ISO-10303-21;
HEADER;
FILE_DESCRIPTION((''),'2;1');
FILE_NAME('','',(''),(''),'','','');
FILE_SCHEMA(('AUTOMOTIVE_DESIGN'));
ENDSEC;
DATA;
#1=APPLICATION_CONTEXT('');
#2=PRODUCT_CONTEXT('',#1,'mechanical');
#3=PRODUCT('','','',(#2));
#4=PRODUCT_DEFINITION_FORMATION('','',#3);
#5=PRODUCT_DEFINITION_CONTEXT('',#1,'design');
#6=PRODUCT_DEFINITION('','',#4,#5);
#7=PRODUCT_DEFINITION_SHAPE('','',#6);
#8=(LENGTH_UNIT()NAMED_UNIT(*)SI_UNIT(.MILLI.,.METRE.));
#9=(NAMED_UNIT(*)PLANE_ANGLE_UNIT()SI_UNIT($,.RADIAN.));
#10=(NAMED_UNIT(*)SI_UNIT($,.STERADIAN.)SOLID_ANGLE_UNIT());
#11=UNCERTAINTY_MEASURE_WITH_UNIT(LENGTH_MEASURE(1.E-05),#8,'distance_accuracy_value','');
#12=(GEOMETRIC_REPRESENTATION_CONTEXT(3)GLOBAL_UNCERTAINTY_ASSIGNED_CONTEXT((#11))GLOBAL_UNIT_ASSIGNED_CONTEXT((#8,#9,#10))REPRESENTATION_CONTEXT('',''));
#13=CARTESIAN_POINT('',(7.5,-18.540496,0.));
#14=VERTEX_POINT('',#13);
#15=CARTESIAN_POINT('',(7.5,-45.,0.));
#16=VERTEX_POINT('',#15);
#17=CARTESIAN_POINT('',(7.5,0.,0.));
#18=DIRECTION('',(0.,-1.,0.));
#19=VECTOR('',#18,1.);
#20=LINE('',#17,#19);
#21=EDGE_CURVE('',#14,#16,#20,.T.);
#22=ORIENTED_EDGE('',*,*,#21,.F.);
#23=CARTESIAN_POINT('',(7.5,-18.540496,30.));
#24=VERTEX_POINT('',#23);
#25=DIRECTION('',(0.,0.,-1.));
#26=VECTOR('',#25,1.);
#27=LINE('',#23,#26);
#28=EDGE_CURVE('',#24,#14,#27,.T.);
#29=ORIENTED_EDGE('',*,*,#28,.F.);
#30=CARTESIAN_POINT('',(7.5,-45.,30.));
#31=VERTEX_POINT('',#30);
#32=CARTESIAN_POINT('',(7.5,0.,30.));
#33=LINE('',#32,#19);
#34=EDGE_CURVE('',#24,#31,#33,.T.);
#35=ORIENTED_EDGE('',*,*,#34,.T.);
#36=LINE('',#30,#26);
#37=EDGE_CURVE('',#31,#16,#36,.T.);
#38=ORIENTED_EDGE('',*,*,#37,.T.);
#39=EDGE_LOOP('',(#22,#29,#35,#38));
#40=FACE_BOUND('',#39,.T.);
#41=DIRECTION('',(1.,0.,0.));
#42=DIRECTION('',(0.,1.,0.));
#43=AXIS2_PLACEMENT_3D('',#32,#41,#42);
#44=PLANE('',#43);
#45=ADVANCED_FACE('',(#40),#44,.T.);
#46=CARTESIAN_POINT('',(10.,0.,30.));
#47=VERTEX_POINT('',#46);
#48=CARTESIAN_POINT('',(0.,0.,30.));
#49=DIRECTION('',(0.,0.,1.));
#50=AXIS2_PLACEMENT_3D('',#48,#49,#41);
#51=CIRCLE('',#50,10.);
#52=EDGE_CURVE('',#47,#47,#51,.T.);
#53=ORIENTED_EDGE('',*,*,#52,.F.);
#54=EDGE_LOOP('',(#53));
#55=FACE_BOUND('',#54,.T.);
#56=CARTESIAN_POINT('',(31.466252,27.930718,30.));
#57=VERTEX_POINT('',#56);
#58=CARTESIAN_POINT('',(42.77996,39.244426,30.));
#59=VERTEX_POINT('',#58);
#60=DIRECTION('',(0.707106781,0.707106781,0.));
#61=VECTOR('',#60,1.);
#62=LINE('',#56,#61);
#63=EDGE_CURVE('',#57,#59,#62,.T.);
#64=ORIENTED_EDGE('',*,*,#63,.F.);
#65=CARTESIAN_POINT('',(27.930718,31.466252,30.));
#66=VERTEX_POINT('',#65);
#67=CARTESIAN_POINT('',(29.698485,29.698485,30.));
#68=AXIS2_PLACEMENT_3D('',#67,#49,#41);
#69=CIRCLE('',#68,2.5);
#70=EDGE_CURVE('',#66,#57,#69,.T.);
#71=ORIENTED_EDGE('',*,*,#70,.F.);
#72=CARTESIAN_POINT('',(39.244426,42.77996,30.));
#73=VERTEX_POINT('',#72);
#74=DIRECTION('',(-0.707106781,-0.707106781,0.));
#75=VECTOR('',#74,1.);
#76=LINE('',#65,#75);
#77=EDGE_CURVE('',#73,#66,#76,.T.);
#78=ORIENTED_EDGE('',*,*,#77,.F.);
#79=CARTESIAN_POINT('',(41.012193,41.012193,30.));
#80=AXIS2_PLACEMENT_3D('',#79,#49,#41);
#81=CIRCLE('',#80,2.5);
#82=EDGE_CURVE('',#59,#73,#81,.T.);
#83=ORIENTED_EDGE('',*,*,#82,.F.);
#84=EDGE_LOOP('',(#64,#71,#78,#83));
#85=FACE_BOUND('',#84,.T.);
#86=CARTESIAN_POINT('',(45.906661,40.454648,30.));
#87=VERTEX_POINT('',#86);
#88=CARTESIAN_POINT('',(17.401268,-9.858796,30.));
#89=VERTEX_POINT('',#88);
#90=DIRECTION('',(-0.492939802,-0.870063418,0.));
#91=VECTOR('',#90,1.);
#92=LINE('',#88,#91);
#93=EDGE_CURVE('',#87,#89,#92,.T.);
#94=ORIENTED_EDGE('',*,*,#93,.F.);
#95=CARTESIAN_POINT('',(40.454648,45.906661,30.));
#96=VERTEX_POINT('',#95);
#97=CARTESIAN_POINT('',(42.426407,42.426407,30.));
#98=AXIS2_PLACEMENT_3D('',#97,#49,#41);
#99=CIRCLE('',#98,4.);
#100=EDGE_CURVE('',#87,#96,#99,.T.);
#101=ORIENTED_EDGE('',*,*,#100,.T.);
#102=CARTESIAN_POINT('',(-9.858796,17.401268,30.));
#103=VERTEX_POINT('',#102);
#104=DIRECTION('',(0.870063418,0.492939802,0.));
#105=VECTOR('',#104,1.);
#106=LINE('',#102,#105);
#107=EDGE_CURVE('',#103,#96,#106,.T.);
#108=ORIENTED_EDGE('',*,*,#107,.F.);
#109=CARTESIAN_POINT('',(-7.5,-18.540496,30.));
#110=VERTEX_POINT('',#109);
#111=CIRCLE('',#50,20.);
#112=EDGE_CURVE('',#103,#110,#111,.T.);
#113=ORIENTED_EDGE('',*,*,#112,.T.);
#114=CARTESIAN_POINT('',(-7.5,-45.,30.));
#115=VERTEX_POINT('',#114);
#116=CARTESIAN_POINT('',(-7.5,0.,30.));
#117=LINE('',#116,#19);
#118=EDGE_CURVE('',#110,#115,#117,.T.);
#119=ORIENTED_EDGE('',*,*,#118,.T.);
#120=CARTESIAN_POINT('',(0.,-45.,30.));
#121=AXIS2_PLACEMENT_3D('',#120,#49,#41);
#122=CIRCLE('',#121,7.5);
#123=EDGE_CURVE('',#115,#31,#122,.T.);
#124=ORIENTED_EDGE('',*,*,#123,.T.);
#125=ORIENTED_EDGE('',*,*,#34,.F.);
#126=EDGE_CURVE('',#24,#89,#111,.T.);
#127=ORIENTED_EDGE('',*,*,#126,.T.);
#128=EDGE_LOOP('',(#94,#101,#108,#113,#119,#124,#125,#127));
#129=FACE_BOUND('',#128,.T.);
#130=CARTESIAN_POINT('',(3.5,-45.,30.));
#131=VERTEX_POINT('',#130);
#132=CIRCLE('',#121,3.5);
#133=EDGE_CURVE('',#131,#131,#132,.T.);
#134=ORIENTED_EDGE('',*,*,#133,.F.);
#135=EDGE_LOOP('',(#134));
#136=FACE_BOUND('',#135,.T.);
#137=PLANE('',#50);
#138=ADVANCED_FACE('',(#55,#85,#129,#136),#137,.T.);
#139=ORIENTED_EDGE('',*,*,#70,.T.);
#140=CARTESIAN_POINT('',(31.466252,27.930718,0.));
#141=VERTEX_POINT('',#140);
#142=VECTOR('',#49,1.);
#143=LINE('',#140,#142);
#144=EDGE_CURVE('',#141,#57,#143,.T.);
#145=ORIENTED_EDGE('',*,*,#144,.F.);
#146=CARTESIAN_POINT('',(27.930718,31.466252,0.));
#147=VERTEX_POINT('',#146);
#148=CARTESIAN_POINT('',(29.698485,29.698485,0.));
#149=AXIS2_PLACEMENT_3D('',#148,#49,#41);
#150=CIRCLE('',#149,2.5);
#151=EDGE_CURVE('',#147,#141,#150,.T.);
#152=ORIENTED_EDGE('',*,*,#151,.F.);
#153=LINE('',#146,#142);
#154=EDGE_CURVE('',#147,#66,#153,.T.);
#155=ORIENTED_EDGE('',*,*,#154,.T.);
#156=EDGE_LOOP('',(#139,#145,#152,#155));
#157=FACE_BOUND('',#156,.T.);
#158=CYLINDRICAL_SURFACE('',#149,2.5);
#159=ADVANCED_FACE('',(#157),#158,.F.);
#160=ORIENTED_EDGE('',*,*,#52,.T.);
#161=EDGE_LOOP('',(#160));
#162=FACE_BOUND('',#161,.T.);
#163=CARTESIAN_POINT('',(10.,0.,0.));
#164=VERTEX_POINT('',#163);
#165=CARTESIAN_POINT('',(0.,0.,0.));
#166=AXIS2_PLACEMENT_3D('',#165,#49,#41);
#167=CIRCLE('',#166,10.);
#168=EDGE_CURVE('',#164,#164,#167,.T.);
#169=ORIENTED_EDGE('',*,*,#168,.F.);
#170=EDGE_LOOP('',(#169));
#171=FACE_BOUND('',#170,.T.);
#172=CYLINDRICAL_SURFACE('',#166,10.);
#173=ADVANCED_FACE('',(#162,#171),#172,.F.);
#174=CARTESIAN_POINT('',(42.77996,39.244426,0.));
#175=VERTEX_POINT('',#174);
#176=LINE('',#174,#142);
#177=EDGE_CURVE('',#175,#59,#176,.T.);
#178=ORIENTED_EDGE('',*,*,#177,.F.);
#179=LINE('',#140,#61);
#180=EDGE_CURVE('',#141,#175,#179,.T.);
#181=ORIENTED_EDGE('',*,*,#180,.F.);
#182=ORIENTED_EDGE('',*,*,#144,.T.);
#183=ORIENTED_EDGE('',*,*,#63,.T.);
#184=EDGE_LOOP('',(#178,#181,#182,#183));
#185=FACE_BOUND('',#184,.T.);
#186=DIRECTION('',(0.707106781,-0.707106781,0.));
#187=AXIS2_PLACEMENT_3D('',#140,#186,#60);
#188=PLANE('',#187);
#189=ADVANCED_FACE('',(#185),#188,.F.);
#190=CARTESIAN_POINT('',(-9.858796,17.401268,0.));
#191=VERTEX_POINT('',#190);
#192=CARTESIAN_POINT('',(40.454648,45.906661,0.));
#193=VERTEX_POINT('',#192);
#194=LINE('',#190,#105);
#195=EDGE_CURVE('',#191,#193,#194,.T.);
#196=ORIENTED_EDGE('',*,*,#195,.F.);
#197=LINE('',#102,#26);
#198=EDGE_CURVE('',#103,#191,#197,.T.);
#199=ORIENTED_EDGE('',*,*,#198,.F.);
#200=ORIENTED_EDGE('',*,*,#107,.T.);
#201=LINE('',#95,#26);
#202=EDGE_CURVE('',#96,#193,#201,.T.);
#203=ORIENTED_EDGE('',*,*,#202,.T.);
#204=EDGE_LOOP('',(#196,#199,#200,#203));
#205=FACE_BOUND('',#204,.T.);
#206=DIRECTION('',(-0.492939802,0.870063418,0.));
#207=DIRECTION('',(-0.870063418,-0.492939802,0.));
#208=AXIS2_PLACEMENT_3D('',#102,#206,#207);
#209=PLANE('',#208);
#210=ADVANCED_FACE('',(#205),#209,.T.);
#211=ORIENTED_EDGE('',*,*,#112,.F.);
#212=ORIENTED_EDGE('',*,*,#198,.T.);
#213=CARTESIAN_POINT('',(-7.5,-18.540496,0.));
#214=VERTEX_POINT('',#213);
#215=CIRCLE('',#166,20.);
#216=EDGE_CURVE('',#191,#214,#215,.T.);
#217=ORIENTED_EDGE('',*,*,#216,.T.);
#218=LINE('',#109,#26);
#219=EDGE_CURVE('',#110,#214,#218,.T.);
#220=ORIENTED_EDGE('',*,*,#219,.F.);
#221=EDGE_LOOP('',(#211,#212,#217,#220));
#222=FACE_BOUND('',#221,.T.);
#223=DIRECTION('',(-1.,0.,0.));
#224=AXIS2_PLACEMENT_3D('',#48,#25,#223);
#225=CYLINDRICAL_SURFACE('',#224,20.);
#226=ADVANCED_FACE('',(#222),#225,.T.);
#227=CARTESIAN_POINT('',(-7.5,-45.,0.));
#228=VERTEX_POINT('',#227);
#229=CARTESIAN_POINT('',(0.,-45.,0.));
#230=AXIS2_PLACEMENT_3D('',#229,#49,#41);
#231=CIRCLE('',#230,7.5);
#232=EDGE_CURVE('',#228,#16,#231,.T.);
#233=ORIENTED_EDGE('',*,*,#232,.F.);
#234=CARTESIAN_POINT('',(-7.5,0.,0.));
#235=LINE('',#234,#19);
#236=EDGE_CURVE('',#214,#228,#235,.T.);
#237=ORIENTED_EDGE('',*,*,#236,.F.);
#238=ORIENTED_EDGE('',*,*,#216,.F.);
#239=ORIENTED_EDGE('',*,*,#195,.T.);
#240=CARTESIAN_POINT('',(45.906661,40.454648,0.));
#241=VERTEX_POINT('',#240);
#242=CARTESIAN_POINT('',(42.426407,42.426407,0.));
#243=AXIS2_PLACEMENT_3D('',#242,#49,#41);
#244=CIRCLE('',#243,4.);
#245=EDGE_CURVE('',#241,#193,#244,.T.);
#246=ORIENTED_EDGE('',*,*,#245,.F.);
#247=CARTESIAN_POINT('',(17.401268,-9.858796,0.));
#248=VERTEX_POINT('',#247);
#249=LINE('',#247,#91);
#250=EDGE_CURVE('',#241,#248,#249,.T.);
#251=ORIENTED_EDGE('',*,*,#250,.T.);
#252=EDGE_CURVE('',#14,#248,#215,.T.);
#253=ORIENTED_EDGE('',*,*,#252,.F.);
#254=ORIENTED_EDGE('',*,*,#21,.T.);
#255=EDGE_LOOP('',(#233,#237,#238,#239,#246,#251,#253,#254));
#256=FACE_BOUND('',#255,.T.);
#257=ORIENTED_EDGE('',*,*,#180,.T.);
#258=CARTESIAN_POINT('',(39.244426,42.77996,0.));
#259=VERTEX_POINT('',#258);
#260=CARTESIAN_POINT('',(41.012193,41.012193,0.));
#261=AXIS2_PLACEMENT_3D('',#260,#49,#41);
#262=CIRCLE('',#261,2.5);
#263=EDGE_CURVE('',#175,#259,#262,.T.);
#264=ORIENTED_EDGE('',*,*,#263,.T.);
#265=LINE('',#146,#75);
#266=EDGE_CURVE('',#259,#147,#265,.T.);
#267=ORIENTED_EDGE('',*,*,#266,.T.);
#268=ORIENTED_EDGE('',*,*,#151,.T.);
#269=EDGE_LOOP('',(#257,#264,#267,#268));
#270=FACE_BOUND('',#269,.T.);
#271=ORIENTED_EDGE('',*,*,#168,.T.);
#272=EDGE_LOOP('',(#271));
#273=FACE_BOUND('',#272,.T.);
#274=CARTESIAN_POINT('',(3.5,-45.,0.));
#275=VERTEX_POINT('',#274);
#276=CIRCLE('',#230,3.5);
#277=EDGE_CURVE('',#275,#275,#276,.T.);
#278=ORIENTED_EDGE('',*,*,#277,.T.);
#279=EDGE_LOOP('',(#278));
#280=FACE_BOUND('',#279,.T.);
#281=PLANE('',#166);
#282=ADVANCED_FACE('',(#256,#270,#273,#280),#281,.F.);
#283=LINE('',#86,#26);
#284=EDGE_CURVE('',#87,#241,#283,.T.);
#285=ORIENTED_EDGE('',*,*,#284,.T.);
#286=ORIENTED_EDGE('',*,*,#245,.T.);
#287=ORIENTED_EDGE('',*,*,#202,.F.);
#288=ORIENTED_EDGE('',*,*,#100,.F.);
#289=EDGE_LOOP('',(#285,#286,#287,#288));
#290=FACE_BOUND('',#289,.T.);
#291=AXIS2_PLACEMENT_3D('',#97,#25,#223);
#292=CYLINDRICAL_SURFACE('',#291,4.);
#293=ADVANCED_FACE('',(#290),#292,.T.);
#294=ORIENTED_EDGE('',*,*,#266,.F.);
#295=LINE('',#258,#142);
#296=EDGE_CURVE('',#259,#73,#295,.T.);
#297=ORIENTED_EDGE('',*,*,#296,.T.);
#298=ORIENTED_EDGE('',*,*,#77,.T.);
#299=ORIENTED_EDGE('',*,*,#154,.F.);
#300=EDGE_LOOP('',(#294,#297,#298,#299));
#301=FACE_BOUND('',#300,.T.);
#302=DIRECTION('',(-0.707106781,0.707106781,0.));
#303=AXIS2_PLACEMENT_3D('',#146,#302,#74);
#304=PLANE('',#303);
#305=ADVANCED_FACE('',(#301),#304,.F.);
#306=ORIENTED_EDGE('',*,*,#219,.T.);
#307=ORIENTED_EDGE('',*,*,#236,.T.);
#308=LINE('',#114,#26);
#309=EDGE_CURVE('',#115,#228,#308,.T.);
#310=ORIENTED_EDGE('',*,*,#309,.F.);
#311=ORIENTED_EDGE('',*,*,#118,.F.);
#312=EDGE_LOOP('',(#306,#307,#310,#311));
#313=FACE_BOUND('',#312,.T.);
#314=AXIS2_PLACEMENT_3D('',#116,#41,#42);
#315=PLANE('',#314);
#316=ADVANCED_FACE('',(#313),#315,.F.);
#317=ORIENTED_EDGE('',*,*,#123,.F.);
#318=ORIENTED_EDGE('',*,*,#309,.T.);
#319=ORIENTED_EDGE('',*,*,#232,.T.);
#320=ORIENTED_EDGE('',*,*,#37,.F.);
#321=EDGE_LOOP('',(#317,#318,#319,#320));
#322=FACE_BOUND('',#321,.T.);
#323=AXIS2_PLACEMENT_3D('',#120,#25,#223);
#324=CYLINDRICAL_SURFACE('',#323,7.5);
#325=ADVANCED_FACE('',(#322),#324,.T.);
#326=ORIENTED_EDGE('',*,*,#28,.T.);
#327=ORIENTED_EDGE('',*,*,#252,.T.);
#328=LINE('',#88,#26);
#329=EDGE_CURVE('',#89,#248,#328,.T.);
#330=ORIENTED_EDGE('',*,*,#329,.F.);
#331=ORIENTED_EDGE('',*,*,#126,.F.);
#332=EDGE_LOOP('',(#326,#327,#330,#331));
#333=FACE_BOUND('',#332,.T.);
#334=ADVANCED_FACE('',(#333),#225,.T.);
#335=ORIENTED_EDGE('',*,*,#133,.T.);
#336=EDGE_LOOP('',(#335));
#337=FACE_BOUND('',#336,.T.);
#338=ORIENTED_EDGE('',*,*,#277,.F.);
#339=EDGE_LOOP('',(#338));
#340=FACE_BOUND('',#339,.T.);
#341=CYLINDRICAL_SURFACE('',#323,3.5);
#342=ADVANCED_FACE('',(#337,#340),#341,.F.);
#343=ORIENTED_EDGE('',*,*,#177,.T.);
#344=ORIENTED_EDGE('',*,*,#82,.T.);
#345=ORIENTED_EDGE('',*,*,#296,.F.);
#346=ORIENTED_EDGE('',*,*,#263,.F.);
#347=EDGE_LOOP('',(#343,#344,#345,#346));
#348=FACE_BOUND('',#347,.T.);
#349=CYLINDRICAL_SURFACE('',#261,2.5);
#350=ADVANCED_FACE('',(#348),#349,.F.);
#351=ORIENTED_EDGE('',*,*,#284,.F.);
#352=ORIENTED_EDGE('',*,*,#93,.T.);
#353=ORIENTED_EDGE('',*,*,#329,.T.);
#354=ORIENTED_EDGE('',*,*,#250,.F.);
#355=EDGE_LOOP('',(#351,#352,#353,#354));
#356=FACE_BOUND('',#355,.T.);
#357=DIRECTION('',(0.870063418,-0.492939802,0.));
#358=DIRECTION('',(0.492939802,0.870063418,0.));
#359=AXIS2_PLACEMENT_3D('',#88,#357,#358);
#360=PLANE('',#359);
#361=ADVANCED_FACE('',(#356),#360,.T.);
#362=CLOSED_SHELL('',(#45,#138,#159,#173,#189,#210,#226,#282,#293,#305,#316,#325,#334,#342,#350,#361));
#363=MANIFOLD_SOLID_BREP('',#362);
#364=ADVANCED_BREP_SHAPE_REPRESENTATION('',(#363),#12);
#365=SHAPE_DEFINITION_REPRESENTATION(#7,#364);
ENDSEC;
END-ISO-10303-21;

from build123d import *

# Parameters (mm, degrees)
SKETCH_1_R          = 3.5
SKETCH_1_R_2        = 4
EXTRUDE_1_DEPTH     = 30
SKETCH_3_R          = 10
CUT_EXTRUDE_1_DEPTH = 77.234252505


with BuildPart() as part:
    # Эскиз1 → Бобышка-Вытянуть1 (new body)
    # profile 1 of 7: a face of its own
    with BuildSketch(Plane.XY):
        with BuildLine():
            Line((40.454647664, 45.906660544), (-9.858796034, 17.401268367))
            ThreePointArc((-9.858796034, 17.401268367), (10.070354495, 17.279697924), (20, 0))
            ThreePointArc((20, 0), (19.339407531, -5.097775626), (17.401268367, -9.858796034))
            Line((17.401268367, -9.858796034), (45.906660544, 40.454647664))
            ThreePointArc((45.906660544, 40.454647664), (39.597979746, 39.597979746), (40.454647664, 45.906660544))
        make_face()
    # profile 2 of 7: a face of its own
    with BuildSketch(Plane.XY):
        with BuildLine():
            ThreePointArc((20, 0), (10.070354495, 17.279697924), (-9.858796034, 17.401268367))
            ThreePointArc((-9.858796034, 17.401268367), (-19.957067928, -1.309747955), (-7.5, -18.540496218))
            Line((-7.5, -18.540496218), (-7.5, 0))
            ThreePointArc((-7.5, 0), (0, 7.5), (7.5, 0))
            Line((7.5, 0), (7.5, -18.540496218))
            ThreePointArc((7.5, -18.540496218), (13.185646404, -15.037909726), (17.401268367, -9.858796034))
            ThreePointArc((17.401268367, -9.858796034), (19.339407531, -5.097775626), (20, 0))
        make_face()
    # profile 3 of 7: a face of its own
    with BuildSketch(Plane.XY):
        with BuildLine():
            Line((-7.5, 0), (-7.5, -18.540496218))
            ThreePointArc((-7.5, -18.540496218), (0, -20), (7.5, -18.540496218))
            Line((7.5, -18.540496218), (7.5, 0))
            ThreePointArc((7.5, 0), (0, 7.5), (-7.5, 0))
        make_face()
    # profile 4 of 7: a face of its own
    with BuildSketch(Plane.XY):
        with BuildLine():
            ThreePointArc((20, 0), (10.070354495, 17.279697924), (-9.858796034, 17.401268367))
            ThreePointArc((-9.858796034, 17.401268367), (-19.957067928, -1.309747955), (-7.5, -18.540496218))
            Line((-7.5, -18.540496218), (-7.5, 0))
            ThreePointArc((-7.5, 0), (0, 7.5), (7.5, 0))
            Line((7.5, 0), (7.5, -18.540496218))
            ThreePointArc((7.5, -18.540496218), (13.185646404, -15.037909726), (17.401268367, -9.858796034))
            ThreePointArc((17.401268367, -9.858796034), (19.339407531, -5.097775626), (20, 0))
        make_face()
    # profile 5 of 7: a face of its own
    with BuildSketch(Plane.XY):
        with BuildLine():
            Line((-7.5, 0), (-7.5, -18.540496218))
            ThreePointArc((-7.5, -18.540496218), (0, -20), (7.5, -18.540496218))
            Line((7.5, -18.540496218), (7.5, 0))
            ThreePointArc((7.5, 0), (0, 7.5), (-7.5, 0))
        make_face()
    # profile 6 of 7: a face of its own
    with BuildSketch(Plane.XY):
        with BuildLine():
            ThreePointArc((7.5, -18.540496218), (0, -20), (-7.5, -18.540496218))
            Line((-7.5, -18.540496218), (-7.5, -45))
            ThreePointArc((-7.5, -45), (0, -52.5), (7.5, -45))
            Line((7.5, -45), (7.5, -18.540496218))
        make_face()
        with Locations((0, -45)):
            Circle(SKETCH_1_R, mode=Mode.SUBTRACT)
    # profile 7 of 7: a face of its own
    with BuildSketch(Plane.XY):
        with Locations((42.426406871, 42.426406871)):
            Circle(SKETCH_1_R_2)
    extrude(amount=EXTRUDE_1_DEPTH)

    # Эскиз3 → Вырез-Вытянуть1 (cut, through all)
    with BuildSketch(Plane.XY.offset(30)):
        Circle(SKETCH_3_R)
        with BuildLine():
            Line((27.930717857, 31.466251763), (39.244426356, 42.779960262))
            ThreePointArc((39.244426356, 42.779960262), (42.779960262, 42.779960262), (42.779960262, 39.244426356))
            Line((42.779960262, 39.244426356), (31.466251763, 27.930717857))
            ThreePointArc((31.466251763, 27.930717857), (27.930717857, 27.930717857), (27.930717857, 31.466251763))
        make_face()
    extrude(amount=-CUT_EXTRUDE_1_DEPTH, mode=Mode.SUBTRACT)


solid = part.part
